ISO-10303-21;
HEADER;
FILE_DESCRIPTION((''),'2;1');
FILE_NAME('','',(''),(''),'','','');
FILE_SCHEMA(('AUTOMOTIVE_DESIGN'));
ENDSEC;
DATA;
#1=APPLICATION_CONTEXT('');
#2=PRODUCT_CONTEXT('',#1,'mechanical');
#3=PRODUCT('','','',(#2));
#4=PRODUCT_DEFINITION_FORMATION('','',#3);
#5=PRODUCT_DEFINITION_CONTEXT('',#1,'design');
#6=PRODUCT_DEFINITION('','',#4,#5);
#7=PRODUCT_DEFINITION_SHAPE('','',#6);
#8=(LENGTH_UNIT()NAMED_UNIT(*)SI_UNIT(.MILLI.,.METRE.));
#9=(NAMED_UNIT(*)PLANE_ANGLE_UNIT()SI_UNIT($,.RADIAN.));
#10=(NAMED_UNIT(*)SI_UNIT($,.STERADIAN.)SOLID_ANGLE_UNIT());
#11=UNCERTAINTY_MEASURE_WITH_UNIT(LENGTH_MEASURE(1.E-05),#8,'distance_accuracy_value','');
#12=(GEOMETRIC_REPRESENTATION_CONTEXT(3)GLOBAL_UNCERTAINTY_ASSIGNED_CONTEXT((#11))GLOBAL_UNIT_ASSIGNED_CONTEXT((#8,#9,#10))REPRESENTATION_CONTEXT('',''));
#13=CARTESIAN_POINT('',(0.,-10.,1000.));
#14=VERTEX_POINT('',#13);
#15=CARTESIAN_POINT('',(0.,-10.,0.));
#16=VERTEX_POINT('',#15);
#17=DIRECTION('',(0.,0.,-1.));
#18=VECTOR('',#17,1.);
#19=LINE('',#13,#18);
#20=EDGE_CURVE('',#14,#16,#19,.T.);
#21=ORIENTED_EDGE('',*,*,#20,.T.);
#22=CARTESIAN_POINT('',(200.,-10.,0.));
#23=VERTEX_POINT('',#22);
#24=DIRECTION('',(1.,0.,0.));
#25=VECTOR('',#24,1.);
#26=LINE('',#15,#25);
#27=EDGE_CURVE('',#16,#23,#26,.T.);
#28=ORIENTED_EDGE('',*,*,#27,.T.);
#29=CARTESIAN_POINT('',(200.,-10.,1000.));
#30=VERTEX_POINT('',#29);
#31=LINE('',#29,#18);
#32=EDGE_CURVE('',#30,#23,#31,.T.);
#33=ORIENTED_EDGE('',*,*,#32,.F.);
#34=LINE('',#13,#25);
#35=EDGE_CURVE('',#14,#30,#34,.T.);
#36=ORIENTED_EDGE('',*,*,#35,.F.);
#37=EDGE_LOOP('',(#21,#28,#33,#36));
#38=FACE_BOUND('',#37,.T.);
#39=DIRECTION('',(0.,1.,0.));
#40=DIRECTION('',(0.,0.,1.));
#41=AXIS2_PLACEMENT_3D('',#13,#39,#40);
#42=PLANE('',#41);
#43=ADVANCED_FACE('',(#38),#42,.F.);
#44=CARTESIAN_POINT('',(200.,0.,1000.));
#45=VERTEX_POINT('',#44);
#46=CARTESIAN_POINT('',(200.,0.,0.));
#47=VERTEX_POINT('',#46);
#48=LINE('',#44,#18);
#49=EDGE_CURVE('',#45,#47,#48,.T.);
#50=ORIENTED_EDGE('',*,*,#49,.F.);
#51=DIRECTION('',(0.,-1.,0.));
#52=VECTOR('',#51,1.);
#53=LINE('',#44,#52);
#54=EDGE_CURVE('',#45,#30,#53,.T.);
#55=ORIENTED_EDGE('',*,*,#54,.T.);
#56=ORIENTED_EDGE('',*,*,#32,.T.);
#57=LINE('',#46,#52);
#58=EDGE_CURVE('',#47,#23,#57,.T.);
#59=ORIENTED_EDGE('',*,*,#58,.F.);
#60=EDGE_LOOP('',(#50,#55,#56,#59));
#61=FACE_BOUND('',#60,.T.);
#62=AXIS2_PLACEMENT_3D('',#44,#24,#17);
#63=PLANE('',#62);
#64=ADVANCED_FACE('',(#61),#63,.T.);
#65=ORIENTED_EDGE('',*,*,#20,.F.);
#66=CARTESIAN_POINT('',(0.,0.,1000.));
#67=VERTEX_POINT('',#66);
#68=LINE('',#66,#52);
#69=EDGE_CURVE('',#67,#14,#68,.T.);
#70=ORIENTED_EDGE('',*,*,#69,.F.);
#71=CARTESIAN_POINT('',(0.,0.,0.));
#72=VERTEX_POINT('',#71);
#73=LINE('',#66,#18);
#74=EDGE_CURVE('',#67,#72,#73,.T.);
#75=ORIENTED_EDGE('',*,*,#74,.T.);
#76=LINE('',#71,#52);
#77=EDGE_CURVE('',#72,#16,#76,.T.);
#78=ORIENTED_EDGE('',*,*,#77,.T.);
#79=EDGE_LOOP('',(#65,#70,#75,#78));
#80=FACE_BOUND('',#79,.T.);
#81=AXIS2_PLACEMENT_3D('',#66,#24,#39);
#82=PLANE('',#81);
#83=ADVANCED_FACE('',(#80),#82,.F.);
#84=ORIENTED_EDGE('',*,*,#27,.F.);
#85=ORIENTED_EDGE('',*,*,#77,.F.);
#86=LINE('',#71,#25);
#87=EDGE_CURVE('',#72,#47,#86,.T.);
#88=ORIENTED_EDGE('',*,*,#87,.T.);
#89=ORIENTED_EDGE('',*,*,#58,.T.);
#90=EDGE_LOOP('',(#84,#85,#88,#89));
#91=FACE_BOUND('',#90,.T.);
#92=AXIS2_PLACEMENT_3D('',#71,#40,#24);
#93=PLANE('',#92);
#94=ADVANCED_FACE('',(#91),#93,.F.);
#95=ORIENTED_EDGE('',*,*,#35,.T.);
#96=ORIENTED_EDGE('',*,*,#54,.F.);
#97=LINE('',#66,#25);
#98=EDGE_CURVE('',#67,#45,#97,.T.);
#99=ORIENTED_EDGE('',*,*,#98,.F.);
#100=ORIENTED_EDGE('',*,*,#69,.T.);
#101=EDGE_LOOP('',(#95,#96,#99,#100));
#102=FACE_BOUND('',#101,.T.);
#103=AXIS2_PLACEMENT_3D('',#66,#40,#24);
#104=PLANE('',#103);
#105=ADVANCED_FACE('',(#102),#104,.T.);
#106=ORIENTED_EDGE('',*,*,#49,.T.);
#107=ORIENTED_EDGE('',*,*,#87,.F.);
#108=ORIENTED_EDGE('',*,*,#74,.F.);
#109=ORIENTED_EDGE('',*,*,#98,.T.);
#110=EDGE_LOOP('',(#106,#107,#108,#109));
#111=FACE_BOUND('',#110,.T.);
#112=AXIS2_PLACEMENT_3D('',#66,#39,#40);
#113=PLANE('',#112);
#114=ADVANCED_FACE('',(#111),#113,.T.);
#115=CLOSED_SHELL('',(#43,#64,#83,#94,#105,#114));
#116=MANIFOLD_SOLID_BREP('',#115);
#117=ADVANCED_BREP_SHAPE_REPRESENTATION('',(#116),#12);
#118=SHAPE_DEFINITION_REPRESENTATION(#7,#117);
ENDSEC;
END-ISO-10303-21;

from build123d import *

# Parameters (mm, degrees)
SKETCH_2_W      = 200
SKETCH_2_H      = 10
EXTRUDE_1_DEPTH = 1000


with BuildPart() as part:
    # 草图2 → 凸台-拉伸1 (new body)
    with BuildSketch(Plane.XY):
        with Locations((100, -5)):
            Rectangle(SKETCH_2_W, SKETCH_2_H)
    extrude(amount=EXTRUDE_1_DEPTH)


solid = part.part
